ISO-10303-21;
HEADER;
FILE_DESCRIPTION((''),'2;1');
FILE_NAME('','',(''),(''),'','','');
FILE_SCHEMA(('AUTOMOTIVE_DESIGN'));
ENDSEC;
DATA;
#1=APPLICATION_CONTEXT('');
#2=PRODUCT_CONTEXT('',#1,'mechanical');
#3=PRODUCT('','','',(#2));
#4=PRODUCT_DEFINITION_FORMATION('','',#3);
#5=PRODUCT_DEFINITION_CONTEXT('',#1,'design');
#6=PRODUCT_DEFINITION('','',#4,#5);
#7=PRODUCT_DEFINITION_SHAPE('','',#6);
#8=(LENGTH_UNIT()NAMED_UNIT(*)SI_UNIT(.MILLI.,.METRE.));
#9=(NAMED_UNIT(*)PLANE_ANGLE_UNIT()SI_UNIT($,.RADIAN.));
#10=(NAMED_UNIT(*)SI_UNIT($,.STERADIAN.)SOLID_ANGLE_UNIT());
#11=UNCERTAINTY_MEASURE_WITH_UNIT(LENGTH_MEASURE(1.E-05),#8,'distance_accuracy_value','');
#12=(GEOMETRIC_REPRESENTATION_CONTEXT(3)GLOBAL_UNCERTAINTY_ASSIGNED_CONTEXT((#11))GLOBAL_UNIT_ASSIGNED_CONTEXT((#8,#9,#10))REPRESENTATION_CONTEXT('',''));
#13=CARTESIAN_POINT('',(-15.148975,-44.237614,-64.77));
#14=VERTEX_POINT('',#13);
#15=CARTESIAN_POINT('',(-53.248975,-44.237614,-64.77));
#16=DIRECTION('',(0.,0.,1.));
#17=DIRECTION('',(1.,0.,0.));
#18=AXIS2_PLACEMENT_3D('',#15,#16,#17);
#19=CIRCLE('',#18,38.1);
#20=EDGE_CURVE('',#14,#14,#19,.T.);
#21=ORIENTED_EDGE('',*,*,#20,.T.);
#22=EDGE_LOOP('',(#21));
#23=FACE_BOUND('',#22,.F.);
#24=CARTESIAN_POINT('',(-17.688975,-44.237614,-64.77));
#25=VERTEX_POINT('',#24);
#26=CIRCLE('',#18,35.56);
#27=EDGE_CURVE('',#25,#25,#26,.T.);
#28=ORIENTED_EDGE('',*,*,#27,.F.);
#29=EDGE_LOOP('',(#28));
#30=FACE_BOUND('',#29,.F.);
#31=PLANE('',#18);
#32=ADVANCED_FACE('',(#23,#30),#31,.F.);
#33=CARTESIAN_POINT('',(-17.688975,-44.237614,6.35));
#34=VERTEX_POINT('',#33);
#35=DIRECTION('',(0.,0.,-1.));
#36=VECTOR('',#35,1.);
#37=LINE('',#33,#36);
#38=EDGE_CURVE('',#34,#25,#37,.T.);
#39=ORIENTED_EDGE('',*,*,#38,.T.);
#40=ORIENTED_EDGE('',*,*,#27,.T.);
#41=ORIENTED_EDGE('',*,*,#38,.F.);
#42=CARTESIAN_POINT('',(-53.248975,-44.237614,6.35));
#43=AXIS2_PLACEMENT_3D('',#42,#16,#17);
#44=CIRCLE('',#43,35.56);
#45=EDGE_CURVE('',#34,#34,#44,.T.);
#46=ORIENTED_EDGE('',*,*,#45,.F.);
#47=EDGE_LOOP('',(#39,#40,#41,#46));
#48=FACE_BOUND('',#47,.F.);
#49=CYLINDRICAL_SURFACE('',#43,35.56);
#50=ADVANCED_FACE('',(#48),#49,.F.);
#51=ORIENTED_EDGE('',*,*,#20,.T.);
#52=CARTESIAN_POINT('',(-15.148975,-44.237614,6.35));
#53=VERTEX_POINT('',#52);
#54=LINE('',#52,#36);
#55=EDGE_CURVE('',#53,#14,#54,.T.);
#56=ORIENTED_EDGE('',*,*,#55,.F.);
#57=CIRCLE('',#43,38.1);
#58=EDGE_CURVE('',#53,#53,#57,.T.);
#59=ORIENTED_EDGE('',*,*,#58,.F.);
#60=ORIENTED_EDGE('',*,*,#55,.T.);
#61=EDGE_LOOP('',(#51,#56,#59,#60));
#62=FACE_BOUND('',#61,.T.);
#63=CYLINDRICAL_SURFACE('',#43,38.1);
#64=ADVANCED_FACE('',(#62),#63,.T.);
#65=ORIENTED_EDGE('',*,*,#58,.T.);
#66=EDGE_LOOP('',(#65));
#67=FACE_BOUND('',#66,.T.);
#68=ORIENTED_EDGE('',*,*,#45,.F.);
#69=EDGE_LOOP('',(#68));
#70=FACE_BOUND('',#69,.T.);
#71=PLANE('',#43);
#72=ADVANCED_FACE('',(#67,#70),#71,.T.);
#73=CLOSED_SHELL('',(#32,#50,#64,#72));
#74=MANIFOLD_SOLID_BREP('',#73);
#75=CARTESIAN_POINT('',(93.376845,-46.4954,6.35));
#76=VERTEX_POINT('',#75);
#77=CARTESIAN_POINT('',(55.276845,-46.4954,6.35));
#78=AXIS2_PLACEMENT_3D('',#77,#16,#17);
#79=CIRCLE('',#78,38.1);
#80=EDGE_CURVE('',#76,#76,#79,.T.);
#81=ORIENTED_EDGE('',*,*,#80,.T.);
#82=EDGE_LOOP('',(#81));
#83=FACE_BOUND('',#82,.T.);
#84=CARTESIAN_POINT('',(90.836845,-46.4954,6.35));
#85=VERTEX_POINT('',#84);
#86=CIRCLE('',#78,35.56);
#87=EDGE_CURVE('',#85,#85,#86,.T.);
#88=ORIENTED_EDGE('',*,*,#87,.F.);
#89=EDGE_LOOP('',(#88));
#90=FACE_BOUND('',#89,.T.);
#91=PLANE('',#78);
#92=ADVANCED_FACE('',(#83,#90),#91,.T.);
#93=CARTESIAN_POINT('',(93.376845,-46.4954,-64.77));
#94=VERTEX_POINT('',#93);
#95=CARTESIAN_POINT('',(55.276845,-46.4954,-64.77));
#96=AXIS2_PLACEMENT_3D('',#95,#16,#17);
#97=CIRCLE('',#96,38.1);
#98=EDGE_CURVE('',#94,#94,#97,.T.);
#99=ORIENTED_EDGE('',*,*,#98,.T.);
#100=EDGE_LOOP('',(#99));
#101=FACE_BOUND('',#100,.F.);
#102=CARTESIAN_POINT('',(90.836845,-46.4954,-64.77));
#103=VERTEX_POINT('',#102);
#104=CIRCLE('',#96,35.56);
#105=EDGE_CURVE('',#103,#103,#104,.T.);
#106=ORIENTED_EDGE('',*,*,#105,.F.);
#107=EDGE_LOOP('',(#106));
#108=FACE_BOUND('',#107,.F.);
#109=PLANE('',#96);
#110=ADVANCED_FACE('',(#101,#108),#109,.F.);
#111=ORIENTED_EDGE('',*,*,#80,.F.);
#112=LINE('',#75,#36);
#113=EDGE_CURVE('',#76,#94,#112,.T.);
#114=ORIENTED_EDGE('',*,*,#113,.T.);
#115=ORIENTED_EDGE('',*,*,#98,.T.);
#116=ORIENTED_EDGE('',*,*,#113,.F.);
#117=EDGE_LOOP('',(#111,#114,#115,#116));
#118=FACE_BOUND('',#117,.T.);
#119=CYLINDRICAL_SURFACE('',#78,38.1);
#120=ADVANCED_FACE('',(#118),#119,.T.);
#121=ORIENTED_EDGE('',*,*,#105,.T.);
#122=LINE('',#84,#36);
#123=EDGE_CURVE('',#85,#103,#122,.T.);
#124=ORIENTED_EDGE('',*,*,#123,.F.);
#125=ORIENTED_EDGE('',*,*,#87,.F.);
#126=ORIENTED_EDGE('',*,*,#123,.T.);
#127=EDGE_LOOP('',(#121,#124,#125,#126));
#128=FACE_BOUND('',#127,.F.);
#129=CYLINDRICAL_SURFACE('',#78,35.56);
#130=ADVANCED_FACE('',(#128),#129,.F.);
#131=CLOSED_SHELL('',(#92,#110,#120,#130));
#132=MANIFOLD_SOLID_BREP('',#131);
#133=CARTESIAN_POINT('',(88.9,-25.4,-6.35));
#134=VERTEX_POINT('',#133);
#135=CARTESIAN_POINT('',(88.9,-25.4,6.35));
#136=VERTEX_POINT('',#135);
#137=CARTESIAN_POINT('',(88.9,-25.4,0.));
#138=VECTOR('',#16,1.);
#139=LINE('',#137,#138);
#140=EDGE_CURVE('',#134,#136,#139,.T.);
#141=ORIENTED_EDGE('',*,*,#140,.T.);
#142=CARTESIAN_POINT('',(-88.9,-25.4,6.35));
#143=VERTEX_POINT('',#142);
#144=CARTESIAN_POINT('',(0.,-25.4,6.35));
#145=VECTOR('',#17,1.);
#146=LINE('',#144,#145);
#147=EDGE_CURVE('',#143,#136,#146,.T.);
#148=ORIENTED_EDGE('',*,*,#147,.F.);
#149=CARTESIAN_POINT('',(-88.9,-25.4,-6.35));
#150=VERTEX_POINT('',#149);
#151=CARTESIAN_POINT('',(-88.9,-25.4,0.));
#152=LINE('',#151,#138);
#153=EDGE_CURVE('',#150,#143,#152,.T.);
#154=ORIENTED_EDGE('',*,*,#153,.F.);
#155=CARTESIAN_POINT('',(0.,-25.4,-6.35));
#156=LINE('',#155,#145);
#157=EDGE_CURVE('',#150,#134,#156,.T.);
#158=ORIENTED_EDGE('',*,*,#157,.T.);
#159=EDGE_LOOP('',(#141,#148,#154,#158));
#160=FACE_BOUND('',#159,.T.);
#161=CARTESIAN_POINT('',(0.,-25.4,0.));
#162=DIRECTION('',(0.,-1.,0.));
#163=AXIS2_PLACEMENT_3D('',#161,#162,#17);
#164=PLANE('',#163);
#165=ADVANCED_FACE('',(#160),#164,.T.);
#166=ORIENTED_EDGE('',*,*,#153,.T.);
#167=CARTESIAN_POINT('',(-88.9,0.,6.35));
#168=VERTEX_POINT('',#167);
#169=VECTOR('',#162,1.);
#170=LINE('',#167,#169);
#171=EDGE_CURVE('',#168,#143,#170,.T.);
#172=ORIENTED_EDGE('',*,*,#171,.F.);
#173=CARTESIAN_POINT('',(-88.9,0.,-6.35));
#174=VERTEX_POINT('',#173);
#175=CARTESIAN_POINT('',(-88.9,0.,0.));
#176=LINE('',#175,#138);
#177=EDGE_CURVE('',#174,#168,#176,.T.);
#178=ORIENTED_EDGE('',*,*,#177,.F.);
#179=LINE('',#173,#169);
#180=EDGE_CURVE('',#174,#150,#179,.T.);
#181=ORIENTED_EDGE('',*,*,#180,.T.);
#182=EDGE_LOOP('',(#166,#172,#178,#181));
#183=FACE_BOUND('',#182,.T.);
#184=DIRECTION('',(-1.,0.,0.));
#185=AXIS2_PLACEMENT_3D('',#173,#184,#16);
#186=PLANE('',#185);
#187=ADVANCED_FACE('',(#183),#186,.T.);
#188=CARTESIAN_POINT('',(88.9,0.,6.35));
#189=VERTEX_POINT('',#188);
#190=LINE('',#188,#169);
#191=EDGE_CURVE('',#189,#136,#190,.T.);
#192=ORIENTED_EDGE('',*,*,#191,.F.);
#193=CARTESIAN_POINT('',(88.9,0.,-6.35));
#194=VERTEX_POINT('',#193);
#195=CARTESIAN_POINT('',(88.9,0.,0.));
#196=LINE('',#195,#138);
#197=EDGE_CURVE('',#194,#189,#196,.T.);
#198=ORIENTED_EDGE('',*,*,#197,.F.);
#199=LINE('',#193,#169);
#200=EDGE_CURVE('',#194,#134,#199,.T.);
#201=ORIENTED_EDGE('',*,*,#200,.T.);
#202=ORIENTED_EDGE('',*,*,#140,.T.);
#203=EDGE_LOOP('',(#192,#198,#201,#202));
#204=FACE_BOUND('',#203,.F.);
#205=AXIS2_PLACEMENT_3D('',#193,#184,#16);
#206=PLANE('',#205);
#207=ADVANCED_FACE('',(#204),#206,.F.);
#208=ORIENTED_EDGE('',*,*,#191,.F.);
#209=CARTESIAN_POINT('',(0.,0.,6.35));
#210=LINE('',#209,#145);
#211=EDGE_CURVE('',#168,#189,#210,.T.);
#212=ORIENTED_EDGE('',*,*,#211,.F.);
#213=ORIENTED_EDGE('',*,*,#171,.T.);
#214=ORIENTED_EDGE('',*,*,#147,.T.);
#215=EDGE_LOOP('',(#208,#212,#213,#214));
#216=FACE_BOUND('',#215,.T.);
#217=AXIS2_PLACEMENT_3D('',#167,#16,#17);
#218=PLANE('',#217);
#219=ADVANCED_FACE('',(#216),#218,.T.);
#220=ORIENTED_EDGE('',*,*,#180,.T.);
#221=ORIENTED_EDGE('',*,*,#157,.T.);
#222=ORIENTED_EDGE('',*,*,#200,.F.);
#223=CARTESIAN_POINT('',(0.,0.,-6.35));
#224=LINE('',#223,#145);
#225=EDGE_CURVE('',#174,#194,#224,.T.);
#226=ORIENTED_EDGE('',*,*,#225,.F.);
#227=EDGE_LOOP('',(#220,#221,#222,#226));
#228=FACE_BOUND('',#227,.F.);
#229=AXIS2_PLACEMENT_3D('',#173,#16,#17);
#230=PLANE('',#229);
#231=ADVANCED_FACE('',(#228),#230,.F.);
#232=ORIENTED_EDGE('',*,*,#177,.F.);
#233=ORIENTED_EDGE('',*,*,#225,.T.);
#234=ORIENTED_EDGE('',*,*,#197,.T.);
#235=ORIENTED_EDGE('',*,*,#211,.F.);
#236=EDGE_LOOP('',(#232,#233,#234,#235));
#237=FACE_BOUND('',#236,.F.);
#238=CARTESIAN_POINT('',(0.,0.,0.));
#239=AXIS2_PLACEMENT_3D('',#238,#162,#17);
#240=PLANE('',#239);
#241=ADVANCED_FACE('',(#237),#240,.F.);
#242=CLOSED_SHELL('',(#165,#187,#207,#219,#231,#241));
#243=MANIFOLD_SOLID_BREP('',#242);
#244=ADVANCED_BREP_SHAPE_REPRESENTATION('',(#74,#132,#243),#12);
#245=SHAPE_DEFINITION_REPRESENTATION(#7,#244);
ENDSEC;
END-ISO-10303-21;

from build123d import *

# Parameters (mm, degrees)
F0_W     = 177.8
F0_H     = 12.7
F1_DEPTH = 25.4
F2_R     = 38.1
F2_R_2   = 35.56
F3_DEPTH = 71.12


with BuildPart() as f1:
    # F0 (on Front) → F1 (new body)
    with BuildSketch(Plane.XZ):
        Rectangle(F0_W, F0_H)
    extrude(amount=F1_DEPTH)


with BuildPart() as f3:
    # F2 (on face) → F3 (new body)
    with BuildSketch(Plane.XY.offset(6.35)):
        with Locations((-53.248975, -44.237614)):
            Circle(F2_R)
        with Locations((-53.248975, -44.237614)):
            Circle(F2_R_2, mode=Mode.SUBTRACT)
        with Locations((55.276845, -46.4954)):
            Circle(F2_R)
        with Locations((55.276845, -46.4954)):
            Circle(F2_R_2, mode=Mode.SUBTRACT)
    extrude(amount=-F3_DEPTH)


solid = Compound([f1.part, f3.part])
